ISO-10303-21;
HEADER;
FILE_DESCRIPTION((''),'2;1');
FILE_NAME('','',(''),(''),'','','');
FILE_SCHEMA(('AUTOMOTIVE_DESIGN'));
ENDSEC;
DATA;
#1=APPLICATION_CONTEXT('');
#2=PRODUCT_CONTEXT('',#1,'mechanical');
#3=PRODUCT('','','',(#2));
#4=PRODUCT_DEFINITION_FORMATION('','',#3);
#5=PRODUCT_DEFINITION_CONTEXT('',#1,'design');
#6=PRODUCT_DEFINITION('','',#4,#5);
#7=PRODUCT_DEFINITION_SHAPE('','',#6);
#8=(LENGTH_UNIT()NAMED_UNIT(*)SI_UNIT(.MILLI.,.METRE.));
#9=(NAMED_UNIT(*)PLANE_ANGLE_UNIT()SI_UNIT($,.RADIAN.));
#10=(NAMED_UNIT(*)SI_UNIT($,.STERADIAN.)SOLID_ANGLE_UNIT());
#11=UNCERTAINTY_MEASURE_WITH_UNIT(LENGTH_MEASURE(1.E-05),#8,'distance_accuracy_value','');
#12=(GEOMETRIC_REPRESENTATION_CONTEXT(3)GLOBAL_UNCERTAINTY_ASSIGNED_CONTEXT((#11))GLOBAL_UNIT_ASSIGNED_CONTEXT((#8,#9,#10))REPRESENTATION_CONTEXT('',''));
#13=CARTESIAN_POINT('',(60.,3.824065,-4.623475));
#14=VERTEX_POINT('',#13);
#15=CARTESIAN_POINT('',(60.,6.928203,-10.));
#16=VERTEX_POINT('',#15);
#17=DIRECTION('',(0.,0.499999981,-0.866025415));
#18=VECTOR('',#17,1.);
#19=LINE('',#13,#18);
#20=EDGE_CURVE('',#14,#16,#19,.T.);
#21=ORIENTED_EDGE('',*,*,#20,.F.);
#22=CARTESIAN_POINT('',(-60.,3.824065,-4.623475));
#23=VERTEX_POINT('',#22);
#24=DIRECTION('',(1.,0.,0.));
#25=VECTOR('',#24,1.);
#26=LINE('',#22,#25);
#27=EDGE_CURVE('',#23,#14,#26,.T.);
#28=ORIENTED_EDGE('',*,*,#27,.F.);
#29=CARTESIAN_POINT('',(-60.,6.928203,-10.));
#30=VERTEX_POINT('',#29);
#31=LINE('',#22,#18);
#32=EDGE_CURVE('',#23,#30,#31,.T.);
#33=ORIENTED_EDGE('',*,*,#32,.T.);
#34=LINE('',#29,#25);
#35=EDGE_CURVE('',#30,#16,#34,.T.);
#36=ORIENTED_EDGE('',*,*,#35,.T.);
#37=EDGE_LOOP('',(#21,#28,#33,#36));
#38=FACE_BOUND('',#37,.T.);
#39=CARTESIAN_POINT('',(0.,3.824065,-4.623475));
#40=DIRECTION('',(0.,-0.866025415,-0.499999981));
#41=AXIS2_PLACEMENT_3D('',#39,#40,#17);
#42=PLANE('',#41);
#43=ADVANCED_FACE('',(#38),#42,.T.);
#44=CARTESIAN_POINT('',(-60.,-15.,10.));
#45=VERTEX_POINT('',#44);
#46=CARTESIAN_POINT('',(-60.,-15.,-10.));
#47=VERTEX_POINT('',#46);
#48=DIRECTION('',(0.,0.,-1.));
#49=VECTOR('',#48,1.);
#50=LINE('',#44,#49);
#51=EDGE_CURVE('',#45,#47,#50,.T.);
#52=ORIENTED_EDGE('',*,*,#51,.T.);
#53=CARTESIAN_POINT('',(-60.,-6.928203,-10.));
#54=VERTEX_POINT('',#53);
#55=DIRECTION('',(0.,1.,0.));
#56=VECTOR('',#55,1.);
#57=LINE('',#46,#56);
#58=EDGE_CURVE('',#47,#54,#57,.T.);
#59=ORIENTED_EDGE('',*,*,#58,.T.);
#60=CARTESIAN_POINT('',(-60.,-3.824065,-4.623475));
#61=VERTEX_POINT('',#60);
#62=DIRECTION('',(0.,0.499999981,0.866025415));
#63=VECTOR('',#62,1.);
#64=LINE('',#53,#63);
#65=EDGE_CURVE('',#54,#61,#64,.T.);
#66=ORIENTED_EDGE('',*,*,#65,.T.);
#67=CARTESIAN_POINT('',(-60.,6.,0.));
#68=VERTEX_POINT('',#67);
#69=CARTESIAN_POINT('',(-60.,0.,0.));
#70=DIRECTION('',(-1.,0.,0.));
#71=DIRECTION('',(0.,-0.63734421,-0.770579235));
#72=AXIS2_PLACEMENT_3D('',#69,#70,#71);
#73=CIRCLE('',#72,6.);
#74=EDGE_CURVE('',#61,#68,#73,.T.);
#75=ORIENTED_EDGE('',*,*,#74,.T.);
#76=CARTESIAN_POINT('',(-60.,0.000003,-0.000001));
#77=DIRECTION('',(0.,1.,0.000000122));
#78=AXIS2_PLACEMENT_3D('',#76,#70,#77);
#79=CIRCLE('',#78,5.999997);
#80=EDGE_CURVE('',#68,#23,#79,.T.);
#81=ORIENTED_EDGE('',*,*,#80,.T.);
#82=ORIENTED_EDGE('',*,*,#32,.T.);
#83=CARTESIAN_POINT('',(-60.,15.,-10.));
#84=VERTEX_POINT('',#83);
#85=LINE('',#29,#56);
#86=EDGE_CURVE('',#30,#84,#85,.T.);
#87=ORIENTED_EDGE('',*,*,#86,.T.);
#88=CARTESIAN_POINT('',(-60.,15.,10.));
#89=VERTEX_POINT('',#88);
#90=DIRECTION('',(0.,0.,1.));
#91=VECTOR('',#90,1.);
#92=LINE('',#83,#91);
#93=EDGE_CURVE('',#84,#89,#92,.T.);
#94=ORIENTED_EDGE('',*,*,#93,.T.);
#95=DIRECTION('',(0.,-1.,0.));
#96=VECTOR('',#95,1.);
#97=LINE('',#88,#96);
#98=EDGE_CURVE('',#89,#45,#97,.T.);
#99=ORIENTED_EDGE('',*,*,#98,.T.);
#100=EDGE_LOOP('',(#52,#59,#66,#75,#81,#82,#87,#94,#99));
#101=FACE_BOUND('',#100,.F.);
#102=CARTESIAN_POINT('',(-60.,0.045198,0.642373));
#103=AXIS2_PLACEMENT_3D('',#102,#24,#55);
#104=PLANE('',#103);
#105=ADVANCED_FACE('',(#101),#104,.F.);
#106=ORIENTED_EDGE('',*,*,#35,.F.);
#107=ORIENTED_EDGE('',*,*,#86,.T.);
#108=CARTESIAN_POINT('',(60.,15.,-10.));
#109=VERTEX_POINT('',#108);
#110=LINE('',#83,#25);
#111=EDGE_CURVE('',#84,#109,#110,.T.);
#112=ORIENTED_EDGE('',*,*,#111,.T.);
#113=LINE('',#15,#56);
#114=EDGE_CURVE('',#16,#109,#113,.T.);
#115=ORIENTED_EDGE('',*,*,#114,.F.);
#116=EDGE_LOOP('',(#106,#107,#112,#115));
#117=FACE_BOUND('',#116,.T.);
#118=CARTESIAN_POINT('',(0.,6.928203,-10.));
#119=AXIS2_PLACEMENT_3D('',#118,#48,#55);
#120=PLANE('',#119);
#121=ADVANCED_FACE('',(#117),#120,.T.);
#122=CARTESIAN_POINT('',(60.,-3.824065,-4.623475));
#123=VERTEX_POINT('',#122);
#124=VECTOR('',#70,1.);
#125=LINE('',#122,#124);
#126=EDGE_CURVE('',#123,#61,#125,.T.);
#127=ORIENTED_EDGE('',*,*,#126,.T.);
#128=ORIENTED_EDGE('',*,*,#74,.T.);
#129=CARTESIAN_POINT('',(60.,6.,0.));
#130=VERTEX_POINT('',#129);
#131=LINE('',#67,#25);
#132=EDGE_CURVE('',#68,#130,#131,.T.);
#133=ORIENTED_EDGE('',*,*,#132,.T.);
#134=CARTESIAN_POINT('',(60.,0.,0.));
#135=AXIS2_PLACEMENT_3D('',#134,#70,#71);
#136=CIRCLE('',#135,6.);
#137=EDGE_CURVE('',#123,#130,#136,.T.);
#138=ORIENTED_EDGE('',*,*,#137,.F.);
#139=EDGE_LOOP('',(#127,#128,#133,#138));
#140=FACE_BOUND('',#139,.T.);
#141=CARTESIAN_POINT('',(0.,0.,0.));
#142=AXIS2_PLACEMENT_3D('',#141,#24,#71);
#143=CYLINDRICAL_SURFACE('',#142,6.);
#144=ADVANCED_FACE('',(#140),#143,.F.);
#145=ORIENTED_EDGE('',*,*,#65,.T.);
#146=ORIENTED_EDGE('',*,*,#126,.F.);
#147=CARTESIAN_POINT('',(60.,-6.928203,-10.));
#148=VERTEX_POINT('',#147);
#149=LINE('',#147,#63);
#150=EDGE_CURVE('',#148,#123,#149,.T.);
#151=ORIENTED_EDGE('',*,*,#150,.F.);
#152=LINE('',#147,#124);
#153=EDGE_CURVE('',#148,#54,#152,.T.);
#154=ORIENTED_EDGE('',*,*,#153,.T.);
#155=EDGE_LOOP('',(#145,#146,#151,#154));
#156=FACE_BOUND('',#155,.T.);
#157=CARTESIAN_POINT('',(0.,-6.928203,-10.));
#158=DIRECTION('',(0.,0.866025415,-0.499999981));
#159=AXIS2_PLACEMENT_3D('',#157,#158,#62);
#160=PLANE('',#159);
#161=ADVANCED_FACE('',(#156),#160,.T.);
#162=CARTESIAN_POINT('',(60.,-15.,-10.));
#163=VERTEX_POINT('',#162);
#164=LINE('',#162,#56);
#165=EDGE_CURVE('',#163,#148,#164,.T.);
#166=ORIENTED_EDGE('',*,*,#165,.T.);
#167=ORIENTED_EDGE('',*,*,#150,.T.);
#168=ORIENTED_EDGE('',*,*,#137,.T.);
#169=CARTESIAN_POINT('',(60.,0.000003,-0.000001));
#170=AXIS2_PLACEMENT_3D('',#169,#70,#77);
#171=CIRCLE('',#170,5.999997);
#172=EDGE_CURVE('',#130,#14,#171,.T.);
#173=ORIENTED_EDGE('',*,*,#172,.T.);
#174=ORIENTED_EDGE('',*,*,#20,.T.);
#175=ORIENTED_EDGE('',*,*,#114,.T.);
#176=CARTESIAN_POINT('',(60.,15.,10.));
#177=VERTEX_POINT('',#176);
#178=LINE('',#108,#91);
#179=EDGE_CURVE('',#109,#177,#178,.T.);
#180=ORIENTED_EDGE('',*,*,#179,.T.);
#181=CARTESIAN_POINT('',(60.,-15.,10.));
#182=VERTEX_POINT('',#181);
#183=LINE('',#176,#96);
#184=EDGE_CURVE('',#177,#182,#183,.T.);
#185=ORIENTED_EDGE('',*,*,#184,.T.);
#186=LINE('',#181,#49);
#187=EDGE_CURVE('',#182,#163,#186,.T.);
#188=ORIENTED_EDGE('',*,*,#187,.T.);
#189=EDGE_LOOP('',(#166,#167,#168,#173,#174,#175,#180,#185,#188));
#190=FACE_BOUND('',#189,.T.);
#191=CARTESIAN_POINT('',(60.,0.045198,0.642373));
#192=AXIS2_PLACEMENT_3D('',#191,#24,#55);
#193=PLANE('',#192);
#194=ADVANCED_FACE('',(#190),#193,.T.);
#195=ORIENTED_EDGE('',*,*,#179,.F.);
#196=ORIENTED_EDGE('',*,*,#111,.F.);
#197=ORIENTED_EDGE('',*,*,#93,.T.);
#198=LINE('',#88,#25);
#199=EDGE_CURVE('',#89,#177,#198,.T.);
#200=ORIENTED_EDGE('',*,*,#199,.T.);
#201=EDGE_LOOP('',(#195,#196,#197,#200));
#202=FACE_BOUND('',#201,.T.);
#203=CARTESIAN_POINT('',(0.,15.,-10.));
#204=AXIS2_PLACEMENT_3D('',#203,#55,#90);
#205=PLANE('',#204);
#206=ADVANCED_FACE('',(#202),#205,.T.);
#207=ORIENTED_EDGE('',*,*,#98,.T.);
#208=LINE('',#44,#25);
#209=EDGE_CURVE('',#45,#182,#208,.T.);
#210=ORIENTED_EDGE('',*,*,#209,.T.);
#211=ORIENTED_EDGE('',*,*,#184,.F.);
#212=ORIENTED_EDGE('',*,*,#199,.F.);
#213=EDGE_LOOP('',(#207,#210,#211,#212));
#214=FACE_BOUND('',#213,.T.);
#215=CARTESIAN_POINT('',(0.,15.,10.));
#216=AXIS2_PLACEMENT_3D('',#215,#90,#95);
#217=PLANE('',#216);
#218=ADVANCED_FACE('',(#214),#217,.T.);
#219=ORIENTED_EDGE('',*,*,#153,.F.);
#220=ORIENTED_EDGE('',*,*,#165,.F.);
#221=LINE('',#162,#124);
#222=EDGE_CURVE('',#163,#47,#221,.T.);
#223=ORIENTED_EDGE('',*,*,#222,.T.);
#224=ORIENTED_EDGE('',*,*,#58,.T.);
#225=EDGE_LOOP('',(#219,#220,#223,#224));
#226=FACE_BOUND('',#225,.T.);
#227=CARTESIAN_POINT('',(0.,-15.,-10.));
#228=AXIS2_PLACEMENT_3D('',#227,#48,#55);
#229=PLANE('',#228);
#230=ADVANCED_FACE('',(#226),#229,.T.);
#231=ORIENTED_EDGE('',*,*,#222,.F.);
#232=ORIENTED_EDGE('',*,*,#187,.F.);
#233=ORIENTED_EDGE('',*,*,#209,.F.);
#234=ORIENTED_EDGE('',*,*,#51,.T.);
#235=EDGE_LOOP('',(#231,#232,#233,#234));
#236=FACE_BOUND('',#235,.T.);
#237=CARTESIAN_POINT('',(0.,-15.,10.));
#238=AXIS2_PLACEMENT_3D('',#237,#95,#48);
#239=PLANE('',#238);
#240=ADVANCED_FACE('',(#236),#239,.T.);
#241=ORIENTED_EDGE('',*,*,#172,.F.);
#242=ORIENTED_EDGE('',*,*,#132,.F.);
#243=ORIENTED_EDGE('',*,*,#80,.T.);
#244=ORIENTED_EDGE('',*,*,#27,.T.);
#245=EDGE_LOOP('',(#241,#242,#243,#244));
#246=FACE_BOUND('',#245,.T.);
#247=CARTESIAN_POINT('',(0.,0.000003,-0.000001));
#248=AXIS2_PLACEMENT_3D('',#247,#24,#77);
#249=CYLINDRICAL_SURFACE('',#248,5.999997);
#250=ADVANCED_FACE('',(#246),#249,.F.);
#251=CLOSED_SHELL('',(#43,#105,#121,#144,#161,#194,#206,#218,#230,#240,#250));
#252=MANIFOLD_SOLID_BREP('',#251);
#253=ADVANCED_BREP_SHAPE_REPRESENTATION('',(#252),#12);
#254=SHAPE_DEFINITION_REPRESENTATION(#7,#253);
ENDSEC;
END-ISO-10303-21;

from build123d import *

# Parameters (mm, degrees)
F1_DEPTH = 60


with BuildPart() as f1:
    # F0 (on Right) → F1 (new body, symmetric)
    with BuildSketch(Plane.YZ):
        with BuildLine():
            ThreePointArc((-3.824065, -4.623475), (-2.554957, 5.42883), (6, 0))
            ThreePointArc((6, 0), (5.42883, -2.554957), (3.824065, -4.623475))
            Line((3.824065, -4.623475), (6.928203, -10))
            Line((6.928203, -10), (15, -10))
            Line((15, -10), (15, 10))
            Line((15, 10), (-15, 10))
            Line((-15, 10), (-15, -10))
            Line((-15, -10), (-6.928203, -10))
            Line((-6.928203, -10), (-3.824065, -4.623475))
        make_face()
    extrude(amount=F1_DEPTH, both=True)


solid = f1.part
